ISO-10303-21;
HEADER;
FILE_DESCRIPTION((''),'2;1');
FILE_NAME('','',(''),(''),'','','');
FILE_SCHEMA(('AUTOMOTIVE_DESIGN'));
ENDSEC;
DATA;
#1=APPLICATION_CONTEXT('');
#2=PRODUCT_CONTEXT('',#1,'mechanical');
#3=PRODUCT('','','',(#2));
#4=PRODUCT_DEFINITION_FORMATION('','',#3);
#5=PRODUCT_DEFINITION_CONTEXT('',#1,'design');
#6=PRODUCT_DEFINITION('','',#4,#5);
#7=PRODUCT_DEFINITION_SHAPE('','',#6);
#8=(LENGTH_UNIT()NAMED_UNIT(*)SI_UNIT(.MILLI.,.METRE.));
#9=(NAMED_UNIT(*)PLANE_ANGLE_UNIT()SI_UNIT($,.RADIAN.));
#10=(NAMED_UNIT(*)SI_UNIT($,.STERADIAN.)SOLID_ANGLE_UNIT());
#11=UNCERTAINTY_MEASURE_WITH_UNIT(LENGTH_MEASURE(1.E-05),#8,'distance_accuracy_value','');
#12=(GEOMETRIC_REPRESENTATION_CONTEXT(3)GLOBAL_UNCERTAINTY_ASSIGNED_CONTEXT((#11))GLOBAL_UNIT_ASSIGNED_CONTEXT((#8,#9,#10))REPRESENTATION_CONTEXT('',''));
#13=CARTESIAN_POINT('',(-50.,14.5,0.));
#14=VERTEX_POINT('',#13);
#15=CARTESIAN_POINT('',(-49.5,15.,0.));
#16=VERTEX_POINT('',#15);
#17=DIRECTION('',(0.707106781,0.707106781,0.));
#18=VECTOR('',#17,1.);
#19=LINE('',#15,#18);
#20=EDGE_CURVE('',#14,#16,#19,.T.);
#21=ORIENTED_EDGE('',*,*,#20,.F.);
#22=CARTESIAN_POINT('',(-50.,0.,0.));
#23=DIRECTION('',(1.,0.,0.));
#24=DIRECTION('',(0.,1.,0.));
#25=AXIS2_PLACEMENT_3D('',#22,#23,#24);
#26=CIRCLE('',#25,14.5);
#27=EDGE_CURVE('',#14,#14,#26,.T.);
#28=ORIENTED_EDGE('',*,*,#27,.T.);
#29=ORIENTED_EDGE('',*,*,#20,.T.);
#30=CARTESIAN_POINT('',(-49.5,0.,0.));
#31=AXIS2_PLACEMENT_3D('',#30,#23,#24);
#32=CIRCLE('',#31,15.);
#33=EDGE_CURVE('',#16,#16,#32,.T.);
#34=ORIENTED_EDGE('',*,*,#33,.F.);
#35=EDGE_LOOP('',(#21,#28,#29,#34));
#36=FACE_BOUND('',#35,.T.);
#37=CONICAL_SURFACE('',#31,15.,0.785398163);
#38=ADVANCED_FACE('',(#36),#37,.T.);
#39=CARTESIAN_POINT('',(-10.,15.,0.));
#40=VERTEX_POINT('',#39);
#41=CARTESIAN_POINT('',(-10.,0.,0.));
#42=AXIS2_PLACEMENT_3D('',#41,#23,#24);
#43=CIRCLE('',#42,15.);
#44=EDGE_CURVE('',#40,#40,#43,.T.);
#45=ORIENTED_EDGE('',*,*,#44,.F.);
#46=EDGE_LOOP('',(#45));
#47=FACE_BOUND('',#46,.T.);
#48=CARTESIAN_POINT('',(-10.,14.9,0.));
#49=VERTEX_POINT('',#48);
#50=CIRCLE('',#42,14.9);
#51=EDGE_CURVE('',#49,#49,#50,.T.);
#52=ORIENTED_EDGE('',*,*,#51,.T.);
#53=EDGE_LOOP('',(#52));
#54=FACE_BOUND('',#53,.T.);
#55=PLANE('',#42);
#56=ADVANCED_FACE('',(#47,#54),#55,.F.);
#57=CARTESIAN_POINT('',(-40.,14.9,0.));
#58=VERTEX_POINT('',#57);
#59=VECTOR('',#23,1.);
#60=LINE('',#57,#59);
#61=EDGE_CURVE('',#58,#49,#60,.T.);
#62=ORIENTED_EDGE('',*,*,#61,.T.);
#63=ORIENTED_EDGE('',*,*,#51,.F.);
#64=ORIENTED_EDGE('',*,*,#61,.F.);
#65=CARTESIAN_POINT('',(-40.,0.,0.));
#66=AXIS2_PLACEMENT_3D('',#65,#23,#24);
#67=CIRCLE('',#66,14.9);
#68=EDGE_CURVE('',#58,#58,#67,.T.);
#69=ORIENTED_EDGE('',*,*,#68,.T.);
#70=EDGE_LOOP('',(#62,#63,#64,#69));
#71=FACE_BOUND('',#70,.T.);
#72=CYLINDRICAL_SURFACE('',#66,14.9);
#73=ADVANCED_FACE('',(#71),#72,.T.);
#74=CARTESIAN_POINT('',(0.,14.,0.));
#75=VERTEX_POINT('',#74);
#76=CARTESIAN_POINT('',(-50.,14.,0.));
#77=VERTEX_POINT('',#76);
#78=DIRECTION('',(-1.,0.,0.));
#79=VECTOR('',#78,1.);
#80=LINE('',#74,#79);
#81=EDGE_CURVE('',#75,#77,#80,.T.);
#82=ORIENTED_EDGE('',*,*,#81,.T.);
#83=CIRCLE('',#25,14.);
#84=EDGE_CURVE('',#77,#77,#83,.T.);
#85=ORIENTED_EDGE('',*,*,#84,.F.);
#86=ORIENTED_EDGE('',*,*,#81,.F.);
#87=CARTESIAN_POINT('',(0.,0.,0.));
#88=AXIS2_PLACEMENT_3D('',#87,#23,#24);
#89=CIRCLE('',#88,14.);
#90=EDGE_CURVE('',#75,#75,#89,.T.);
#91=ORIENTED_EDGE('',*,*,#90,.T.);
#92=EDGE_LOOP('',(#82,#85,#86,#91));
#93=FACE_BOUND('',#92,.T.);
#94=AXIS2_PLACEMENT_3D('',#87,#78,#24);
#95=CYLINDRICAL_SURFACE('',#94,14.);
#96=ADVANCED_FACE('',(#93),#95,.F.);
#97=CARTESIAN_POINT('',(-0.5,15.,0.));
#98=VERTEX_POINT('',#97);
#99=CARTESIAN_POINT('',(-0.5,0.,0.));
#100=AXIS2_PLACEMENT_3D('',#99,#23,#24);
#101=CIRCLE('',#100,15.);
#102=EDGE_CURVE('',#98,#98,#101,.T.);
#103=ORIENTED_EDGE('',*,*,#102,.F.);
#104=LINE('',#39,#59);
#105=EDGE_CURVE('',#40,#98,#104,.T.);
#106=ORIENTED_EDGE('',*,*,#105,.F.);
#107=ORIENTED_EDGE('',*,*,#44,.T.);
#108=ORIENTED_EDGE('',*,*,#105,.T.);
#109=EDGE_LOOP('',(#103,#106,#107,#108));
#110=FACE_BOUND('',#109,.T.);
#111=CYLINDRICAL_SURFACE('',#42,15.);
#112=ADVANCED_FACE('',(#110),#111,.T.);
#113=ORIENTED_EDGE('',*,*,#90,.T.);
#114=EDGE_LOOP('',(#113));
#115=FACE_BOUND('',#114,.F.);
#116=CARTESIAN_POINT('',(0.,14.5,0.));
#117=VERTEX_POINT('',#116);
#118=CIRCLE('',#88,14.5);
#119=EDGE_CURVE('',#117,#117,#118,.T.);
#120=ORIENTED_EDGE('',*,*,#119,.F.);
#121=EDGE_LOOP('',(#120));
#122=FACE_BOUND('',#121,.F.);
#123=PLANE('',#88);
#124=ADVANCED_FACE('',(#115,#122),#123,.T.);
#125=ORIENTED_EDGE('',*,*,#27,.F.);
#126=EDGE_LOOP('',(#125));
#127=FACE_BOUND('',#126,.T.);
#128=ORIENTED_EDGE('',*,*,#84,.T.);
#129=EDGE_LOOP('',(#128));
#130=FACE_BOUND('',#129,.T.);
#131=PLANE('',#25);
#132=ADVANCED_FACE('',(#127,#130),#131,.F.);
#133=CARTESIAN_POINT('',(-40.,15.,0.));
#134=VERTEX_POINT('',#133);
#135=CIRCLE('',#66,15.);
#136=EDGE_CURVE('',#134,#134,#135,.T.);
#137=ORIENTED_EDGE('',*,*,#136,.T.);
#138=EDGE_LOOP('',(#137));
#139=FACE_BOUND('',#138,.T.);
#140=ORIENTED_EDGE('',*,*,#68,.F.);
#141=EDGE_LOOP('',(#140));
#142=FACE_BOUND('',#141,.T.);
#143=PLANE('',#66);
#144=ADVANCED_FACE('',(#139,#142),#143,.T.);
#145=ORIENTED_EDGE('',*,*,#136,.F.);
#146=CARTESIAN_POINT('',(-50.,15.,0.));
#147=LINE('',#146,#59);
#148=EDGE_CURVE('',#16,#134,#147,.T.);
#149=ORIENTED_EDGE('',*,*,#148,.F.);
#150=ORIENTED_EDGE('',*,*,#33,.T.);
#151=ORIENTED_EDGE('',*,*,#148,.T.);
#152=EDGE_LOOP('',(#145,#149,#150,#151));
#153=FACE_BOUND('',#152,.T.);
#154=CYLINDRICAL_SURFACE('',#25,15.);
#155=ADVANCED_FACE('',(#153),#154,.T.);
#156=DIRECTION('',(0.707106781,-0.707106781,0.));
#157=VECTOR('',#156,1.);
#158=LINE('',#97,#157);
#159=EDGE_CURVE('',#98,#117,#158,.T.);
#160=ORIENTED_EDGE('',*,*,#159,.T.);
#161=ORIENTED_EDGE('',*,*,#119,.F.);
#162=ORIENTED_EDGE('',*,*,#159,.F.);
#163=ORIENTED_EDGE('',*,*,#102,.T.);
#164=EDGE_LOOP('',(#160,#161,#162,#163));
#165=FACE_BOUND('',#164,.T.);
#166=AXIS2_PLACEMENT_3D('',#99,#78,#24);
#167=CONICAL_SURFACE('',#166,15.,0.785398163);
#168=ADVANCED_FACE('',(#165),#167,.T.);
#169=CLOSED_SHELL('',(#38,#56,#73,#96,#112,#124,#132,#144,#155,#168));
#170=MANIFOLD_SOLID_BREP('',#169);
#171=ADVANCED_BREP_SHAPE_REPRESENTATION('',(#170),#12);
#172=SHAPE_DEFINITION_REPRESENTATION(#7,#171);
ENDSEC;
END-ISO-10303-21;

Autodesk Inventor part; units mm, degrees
ref_plane "YZ Plane" through (0, 0, 0) normal (1, 0, 0) x (0, 1, 0)
ref_plane "XZ Plane" through (0, 0, 0) normal (0, 1, 0) x (-1, 0, 0)
ref_plane "XY Plane" through (0, 0, 0) normal (0, 0, 1) x (1, 0, 0)
sketch "Skizze1" plane through (0, 0, 0) normal (0, 0, 1) x (1, 0, 0)
  line L0 (-60, 0) -> (10, 0) projected
  line L1 (0, -3) -> (0, 18) projected
  line L2 (0, 14) -> (-50, 14)
  line L3 (-50, 14) -> (-50, 15)
  line L4 (-50, 15) -> (-40, 15)
  line L5 (-40, 15) -> (-40, 14.9)
  line L6 (-40, 14.9) -> (-10, 14.9)
  line L7 (-10, 14.9) -> (-10, 15)
  line L8 (-10, 15) -> (0, 15)
  line L9 (0, 14) -> (0, 15)
  point P0 (0, 0)
  dimension "d1" = 28
  dimension "d2" = 30
  dimension "d4" = 50
  dimension "d5" = 10
  dimension "d6" = 10
  dimension "d11" = 0.1
revolve "Umdrehung1" add sketch "Skizze1" angle 360 about axis through (-10, 0, 0) along (1, 0, 0)
chamfer "Fase1" distance 0.5 angle 45 2 edges at (0, -15, 0) (-50, -15, 0)
properties part number "13_0204_039"
